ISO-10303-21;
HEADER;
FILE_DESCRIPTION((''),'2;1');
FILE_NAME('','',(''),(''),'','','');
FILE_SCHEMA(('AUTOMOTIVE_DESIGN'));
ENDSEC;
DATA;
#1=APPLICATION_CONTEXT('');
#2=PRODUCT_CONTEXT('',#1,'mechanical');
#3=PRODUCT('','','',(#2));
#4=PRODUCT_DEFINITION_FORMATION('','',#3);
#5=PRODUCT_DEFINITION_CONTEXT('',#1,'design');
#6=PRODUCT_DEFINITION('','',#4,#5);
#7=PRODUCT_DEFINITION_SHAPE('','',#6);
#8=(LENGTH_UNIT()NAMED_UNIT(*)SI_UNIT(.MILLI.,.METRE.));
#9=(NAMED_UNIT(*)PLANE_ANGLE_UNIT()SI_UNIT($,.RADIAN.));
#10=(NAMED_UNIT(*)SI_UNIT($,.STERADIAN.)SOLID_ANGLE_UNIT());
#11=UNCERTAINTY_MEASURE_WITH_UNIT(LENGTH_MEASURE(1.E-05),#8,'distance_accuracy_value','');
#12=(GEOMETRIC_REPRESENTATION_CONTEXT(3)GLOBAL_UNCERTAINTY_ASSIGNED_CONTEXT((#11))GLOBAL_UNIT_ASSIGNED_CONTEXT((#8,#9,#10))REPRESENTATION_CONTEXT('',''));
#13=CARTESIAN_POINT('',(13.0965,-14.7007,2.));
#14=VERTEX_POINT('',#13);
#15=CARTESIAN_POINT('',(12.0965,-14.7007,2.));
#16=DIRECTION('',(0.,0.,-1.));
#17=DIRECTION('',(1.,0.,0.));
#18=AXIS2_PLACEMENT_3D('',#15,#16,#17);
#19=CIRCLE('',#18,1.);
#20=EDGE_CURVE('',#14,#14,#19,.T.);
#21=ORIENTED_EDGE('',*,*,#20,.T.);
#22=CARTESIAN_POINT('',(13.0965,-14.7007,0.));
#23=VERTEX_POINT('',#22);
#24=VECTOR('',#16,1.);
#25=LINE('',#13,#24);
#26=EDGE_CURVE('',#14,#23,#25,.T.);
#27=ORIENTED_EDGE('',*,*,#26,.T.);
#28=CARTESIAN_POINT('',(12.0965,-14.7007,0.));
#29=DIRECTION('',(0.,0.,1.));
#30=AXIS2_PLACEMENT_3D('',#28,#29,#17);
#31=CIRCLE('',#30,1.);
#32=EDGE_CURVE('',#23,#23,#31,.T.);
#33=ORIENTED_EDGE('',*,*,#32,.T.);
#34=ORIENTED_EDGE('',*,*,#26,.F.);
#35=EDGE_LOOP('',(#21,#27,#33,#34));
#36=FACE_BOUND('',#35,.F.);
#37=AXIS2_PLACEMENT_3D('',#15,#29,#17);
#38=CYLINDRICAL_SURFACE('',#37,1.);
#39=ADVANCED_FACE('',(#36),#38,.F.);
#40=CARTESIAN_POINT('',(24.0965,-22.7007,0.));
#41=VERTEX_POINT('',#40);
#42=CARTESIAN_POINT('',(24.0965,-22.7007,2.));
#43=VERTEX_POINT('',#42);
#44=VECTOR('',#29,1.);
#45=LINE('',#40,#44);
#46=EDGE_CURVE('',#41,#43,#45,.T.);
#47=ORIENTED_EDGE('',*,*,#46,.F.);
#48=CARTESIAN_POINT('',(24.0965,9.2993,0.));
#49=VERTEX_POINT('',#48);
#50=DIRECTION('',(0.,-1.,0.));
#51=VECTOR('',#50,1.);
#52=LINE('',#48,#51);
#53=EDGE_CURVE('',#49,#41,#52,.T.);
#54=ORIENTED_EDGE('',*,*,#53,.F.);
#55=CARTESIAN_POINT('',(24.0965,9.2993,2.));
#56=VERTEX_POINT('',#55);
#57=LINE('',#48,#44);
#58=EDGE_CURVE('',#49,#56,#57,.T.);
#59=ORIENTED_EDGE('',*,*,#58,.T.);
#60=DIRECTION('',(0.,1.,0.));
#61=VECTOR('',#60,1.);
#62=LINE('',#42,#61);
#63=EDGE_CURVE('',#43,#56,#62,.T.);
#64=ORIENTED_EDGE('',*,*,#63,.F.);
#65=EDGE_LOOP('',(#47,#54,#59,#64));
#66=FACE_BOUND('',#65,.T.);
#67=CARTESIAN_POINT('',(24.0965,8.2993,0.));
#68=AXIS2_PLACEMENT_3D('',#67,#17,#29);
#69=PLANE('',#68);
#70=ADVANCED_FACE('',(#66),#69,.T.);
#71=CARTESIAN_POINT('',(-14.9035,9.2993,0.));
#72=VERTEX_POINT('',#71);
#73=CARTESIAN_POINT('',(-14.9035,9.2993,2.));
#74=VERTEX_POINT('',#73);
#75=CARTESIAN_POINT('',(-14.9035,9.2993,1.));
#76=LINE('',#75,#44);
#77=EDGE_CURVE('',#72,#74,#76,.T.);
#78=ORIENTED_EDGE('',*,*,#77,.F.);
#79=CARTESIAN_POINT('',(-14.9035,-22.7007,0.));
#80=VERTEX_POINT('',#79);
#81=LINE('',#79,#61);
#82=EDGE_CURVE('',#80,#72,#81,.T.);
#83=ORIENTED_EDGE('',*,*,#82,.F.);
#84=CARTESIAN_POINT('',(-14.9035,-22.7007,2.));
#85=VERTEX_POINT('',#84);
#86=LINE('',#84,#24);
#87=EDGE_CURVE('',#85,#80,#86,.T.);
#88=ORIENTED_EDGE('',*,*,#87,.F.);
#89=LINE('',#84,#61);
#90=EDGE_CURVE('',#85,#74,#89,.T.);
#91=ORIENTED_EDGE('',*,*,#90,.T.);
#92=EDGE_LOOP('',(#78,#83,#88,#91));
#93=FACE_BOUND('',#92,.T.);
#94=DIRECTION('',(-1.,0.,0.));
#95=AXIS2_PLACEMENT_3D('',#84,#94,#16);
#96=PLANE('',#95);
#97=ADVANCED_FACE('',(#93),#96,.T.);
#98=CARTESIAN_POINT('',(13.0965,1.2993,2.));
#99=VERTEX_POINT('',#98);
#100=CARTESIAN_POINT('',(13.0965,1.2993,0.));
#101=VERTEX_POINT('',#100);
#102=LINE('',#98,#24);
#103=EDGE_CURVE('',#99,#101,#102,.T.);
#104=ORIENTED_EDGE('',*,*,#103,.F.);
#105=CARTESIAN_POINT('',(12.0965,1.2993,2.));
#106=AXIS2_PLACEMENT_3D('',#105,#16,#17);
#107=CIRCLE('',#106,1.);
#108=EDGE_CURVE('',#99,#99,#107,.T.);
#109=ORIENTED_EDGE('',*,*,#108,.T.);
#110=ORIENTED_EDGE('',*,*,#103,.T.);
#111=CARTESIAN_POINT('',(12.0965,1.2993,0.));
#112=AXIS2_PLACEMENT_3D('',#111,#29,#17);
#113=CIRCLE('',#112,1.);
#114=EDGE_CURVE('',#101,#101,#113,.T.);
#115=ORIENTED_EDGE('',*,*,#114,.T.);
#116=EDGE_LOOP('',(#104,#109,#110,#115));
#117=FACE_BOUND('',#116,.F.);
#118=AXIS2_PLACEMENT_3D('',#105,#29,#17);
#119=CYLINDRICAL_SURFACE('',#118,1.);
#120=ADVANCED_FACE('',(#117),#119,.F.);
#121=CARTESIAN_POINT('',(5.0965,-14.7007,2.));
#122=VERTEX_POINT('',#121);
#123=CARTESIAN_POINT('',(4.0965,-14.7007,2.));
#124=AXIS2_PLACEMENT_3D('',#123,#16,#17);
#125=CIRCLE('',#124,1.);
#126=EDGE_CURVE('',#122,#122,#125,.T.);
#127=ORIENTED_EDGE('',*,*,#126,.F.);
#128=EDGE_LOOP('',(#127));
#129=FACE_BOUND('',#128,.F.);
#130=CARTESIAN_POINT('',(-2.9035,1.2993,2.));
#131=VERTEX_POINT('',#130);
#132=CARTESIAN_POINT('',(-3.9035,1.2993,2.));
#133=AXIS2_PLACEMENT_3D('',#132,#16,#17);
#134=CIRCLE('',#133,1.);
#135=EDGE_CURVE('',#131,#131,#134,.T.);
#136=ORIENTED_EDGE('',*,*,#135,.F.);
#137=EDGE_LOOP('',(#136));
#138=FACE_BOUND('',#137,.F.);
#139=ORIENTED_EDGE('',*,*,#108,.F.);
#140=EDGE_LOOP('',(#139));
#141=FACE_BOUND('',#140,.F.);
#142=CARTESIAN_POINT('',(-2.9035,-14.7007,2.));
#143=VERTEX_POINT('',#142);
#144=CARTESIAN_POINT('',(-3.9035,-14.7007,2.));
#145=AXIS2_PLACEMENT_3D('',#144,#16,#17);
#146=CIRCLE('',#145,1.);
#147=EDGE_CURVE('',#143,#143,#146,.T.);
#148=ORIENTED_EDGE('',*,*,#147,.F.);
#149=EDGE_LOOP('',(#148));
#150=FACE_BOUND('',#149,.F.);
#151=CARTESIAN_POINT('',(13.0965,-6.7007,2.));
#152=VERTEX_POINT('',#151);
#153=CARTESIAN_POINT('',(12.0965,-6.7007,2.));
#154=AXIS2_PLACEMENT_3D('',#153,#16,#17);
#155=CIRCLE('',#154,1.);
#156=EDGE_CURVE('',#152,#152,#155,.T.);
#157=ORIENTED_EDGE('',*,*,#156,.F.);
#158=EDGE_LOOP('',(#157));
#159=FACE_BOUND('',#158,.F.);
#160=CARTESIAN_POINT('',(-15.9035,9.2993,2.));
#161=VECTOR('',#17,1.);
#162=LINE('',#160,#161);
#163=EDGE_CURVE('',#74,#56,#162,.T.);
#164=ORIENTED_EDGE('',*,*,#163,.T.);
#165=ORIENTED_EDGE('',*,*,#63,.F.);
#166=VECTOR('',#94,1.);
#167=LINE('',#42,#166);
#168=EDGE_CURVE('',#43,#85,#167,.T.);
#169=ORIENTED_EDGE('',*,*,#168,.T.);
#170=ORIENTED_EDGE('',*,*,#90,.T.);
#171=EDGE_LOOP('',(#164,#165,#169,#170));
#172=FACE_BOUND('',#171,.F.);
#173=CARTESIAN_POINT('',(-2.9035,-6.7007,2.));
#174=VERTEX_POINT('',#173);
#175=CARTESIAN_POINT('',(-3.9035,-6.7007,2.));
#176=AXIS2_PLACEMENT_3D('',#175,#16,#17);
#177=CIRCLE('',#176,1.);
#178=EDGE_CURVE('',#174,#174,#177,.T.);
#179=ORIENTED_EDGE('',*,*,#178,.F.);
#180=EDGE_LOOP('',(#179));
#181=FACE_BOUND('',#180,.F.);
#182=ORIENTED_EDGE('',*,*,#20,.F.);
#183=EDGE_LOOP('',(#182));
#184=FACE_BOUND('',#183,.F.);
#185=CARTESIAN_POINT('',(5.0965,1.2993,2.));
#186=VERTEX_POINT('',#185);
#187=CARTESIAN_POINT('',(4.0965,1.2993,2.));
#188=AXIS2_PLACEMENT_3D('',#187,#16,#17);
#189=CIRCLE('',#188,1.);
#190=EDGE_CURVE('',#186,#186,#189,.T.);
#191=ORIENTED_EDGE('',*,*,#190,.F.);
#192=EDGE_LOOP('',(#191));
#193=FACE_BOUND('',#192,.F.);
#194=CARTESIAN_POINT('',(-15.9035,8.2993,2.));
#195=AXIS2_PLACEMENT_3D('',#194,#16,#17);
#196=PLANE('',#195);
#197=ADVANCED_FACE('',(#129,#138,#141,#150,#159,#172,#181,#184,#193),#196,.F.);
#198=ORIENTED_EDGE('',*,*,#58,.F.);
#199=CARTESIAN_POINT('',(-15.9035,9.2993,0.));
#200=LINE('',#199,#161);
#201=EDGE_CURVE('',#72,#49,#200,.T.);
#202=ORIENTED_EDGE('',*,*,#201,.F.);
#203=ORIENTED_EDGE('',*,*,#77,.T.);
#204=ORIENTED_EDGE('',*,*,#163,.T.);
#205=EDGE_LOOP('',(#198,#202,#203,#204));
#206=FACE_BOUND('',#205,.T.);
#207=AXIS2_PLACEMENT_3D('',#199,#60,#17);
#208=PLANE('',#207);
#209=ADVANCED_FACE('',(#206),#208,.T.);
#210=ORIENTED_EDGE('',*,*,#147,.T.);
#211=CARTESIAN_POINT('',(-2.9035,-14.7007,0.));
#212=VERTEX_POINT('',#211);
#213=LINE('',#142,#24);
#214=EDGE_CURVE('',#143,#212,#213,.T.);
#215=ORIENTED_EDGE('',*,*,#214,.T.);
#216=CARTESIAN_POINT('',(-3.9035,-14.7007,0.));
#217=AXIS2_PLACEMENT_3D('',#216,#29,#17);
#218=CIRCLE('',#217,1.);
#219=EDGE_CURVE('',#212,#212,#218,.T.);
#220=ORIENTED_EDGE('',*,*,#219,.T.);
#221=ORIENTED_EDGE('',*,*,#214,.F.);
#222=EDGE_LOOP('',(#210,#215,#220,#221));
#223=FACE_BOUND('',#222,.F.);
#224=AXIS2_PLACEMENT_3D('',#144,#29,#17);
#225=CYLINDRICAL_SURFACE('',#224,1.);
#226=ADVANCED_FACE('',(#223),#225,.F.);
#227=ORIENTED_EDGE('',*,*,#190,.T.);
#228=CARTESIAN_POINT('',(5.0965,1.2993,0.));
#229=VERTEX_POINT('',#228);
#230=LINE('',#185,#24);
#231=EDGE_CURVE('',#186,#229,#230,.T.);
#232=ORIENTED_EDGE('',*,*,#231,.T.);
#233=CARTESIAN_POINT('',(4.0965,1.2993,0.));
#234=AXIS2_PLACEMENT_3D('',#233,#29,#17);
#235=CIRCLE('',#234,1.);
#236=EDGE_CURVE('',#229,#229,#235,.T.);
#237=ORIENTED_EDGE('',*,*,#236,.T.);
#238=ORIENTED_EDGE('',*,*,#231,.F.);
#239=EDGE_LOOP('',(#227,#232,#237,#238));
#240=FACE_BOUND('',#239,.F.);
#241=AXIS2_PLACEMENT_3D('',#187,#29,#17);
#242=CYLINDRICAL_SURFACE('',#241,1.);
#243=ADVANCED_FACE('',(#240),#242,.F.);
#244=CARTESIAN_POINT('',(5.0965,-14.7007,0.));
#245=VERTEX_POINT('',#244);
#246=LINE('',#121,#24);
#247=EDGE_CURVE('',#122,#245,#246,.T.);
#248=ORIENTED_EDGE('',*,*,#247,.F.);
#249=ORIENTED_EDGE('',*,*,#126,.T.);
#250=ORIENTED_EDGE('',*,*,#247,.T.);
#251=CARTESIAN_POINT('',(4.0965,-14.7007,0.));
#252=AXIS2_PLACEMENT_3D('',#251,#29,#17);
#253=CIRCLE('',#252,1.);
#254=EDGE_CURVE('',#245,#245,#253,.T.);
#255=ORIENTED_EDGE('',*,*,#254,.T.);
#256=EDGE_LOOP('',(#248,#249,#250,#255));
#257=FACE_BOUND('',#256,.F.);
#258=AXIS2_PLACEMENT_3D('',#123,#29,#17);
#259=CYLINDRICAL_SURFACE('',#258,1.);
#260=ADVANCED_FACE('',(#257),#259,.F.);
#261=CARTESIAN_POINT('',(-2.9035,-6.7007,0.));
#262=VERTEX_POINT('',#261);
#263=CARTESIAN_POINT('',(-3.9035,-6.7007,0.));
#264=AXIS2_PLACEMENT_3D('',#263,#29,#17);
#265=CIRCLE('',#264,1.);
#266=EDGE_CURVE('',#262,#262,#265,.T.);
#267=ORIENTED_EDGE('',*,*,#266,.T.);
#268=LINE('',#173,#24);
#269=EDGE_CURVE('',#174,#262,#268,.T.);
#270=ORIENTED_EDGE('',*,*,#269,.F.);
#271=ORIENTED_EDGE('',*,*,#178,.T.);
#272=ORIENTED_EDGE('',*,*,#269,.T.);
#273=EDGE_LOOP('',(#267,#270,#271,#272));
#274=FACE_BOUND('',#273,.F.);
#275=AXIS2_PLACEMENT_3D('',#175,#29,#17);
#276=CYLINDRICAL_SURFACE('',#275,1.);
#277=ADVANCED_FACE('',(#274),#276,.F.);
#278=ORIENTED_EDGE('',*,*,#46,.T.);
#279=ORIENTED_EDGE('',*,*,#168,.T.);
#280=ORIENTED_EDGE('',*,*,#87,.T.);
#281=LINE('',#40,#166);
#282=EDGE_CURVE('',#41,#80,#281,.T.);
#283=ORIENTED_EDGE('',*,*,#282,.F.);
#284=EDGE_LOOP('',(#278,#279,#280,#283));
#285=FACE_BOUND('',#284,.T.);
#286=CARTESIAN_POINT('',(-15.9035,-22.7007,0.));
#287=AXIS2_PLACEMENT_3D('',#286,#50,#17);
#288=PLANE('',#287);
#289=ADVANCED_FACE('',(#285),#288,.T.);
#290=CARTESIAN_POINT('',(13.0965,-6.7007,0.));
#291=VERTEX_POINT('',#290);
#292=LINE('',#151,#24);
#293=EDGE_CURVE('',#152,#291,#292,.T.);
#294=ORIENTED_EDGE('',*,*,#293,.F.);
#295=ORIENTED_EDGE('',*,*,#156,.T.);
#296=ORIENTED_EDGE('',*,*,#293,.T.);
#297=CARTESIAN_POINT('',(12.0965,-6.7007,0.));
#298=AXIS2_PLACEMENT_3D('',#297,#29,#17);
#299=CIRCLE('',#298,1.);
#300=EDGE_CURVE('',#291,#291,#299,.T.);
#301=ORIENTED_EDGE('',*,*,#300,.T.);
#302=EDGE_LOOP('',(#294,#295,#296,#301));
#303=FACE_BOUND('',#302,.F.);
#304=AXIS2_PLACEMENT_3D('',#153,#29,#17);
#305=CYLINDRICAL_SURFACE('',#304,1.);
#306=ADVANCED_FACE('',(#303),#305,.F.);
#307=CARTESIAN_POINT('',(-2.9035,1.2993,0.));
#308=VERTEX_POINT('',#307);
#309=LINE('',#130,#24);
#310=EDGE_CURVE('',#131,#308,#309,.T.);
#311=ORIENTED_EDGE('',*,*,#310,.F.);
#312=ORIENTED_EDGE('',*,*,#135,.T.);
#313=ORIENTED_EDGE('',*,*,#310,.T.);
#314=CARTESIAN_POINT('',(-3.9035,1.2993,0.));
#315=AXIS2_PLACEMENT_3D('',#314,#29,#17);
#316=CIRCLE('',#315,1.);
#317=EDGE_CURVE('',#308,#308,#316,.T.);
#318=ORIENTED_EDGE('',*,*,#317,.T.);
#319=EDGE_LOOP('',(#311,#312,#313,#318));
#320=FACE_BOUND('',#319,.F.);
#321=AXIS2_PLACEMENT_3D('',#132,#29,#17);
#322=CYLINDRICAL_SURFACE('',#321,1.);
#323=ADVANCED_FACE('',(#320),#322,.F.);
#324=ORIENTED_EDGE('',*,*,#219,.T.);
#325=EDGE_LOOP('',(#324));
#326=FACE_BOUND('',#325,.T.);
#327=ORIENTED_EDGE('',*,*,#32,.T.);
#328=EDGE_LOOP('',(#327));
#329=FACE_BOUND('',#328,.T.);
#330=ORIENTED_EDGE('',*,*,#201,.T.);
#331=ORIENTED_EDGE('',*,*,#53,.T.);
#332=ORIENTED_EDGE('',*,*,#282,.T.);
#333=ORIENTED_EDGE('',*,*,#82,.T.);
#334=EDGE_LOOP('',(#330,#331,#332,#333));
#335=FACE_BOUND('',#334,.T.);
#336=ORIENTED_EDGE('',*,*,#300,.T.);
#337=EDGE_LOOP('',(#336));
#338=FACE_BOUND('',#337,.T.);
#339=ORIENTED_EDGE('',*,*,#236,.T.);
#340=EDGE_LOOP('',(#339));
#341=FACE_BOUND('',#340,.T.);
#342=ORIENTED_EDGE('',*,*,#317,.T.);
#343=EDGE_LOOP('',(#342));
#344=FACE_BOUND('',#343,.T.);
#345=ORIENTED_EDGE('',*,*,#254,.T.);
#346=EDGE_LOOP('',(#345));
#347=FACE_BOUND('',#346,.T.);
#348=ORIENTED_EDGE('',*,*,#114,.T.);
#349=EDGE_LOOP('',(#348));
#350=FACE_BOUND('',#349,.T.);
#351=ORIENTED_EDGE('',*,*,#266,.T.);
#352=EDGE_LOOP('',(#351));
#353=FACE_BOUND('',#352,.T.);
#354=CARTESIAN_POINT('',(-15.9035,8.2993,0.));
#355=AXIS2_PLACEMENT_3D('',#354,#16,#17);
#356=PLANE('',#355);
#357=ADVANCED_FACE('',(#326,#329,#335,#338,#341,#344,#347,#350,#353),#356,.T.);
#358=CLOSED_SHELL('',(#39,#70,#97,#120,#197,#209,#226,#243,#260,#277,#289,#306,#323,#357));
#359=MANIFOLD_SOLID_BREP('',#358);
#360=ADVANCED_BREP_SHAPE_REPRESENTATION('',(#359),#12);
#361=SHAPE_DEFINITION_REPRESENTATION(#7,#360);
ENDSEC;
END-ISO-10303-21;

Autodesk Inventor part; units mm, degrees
ref_plane "YZ Plane" through (0, 0, 0) normal (1, 0, 0) x (0, 1, 0)
ref_plane "XZ Plane" through (0, 0, 0) normal (0, 1, 0) x (-1, 0, 0)
ref_plane "XY Plane" through (0, 0, 0) normal (0, 0, 1) x (1, 0, 0)
sketch "Sketch1" plane through (0, 0, 0) normal (0, 0, 1) x (1, 0, 0)
  line L0 (-15.9035, 8.2993) -> (24.0965, 8.2993)
  line L1 (24.0965, 8.2993) -> (24.0965, -21.7007)
  line L2 (24.0965, -21.7007) -> (-15.9035, -21.7007)
  line L3 (-15.9035, -21.7007) -> (-15.9035, 8.2993)
  point P0 (0, 0)
  dimension "d0" = 40
  dimension "d1" = 30
extrude "Extrusion1" add sketch "Sketch1" along normal blind 2
sketch "Sketch2" plane through (0, 0, 2) normal (0, 0, 1) x (1, 0, 0)
  line L0 (-15.9035, -21.7007) -> (-15.9035, 8.2993) projected
  line L1 (24.0965, -21.7007) -> (-15.9035, -21.7007) projected
  line L2 (-15.9035, -6.7007) -> (4.0965, -6.7007)
  line L3 (4.0965, -6.7007) -> (4.0965, -14.7007)
  line L4 (4.0965, -14.7007) -> (-3.9035, -14.7007)
  line L5 (-3.9035, -14.7007) -> (-3.9035, 1.2993)
  line L6 (-3.9035, 1.2993) -> (12.0965, 1.2993)
  line L7 (12.0965, 1.2993) -> (12.0965, -14.7007)
  circle A0 centre (12.0965, -6.7007) radius 1
  circle A1 centre (12.0965, 1.2993) radius 1
  circle A2 centre (4.0965, 1.2993) radius 1
  circle A3 centre (-3.9035, 1.2993) radius 1
  circle A4 centre (-3.9035, -6.7007) radius 1
  circle A5 centre (-3.9035, -14.7007) radius 1
  circle A6 centre (4.0965, -14.7007) radius 1
  circle A7 centre (12.0965, -14.7007) radius 1
  point P0 (0, 0)
  dimension "d4" = 8
  dimension "d5" = 8
  dimension "d6" = 16
  dimension "d7" = 16
  dimension "d8" = 16
  dimension "d9" = 2
extrude "Extrusion2" cut sketch "Sketch2" against normal blind 2 contours A7 | A0 L7 | L7 A0 | A1 L7 L6 | L6 L7 A1 | A2 L6 | L6 A2 | A3 L6 L5 | L5 L6 A3 | A4 L5 L2 | L2 L5 A4 | L5 A4 L2 | L2 A4 L5 | A6 L4 L3 | L3 L4 A6 | A5 L4 L5 | L5 L4 A5
sketch "Sketch3" plane through (-15.9035, -21.7007, 0) normal (0, -1, 0) x (1, 0, 0)
  line L0 (40, 2) -> (0, 2) projected
  line L1 (0, 0) -> (0, 2) projected
  line L2 (40, 0) -> (0, 0) projected
  line L3 (40, 0) -> (40, 2) projected
  point P0 (15.9035, 0)
extrude "Extrusion3" add sketch "Sketch3" along normal blind 1
sketch "Sketch4" plane through (-15.9035, 8.2993, 0) normal (0, 1, 0) x (1, 0, 0)
  line L0 (0, -2) -> (40, -2) projected
  line L1 (40, 0) -> (40, -2) projected
  line L2 (0, 0) -> (40, 0) projected
  line L3 (0, 0) -> (0, -2) projected
  point P0 (15.9035, 0)
extrude "Extrusion4" add sketch "Sketch4" along normal blind 1
sketch "Sketch7" plane through (-15.9035, -22.7007, 0) normal (0, -1, 0) x (1, 0, 0)
  line L0 (40, 0) -> (0, 0) projected
  line L1 (0, 2) -> (1, 2)
  line L2 (1, 2) -> (1, 0)
  line L3 (1, 0) -> (0, 0)
  line L4 (0, 0) -> (0, 2)
  point P0 (15.9035, 0)
  dimension "d18" = 1
extrude "Extrusion6" cut sketch "Sketch7" against normal blind 50.8
properties part number "base1"
